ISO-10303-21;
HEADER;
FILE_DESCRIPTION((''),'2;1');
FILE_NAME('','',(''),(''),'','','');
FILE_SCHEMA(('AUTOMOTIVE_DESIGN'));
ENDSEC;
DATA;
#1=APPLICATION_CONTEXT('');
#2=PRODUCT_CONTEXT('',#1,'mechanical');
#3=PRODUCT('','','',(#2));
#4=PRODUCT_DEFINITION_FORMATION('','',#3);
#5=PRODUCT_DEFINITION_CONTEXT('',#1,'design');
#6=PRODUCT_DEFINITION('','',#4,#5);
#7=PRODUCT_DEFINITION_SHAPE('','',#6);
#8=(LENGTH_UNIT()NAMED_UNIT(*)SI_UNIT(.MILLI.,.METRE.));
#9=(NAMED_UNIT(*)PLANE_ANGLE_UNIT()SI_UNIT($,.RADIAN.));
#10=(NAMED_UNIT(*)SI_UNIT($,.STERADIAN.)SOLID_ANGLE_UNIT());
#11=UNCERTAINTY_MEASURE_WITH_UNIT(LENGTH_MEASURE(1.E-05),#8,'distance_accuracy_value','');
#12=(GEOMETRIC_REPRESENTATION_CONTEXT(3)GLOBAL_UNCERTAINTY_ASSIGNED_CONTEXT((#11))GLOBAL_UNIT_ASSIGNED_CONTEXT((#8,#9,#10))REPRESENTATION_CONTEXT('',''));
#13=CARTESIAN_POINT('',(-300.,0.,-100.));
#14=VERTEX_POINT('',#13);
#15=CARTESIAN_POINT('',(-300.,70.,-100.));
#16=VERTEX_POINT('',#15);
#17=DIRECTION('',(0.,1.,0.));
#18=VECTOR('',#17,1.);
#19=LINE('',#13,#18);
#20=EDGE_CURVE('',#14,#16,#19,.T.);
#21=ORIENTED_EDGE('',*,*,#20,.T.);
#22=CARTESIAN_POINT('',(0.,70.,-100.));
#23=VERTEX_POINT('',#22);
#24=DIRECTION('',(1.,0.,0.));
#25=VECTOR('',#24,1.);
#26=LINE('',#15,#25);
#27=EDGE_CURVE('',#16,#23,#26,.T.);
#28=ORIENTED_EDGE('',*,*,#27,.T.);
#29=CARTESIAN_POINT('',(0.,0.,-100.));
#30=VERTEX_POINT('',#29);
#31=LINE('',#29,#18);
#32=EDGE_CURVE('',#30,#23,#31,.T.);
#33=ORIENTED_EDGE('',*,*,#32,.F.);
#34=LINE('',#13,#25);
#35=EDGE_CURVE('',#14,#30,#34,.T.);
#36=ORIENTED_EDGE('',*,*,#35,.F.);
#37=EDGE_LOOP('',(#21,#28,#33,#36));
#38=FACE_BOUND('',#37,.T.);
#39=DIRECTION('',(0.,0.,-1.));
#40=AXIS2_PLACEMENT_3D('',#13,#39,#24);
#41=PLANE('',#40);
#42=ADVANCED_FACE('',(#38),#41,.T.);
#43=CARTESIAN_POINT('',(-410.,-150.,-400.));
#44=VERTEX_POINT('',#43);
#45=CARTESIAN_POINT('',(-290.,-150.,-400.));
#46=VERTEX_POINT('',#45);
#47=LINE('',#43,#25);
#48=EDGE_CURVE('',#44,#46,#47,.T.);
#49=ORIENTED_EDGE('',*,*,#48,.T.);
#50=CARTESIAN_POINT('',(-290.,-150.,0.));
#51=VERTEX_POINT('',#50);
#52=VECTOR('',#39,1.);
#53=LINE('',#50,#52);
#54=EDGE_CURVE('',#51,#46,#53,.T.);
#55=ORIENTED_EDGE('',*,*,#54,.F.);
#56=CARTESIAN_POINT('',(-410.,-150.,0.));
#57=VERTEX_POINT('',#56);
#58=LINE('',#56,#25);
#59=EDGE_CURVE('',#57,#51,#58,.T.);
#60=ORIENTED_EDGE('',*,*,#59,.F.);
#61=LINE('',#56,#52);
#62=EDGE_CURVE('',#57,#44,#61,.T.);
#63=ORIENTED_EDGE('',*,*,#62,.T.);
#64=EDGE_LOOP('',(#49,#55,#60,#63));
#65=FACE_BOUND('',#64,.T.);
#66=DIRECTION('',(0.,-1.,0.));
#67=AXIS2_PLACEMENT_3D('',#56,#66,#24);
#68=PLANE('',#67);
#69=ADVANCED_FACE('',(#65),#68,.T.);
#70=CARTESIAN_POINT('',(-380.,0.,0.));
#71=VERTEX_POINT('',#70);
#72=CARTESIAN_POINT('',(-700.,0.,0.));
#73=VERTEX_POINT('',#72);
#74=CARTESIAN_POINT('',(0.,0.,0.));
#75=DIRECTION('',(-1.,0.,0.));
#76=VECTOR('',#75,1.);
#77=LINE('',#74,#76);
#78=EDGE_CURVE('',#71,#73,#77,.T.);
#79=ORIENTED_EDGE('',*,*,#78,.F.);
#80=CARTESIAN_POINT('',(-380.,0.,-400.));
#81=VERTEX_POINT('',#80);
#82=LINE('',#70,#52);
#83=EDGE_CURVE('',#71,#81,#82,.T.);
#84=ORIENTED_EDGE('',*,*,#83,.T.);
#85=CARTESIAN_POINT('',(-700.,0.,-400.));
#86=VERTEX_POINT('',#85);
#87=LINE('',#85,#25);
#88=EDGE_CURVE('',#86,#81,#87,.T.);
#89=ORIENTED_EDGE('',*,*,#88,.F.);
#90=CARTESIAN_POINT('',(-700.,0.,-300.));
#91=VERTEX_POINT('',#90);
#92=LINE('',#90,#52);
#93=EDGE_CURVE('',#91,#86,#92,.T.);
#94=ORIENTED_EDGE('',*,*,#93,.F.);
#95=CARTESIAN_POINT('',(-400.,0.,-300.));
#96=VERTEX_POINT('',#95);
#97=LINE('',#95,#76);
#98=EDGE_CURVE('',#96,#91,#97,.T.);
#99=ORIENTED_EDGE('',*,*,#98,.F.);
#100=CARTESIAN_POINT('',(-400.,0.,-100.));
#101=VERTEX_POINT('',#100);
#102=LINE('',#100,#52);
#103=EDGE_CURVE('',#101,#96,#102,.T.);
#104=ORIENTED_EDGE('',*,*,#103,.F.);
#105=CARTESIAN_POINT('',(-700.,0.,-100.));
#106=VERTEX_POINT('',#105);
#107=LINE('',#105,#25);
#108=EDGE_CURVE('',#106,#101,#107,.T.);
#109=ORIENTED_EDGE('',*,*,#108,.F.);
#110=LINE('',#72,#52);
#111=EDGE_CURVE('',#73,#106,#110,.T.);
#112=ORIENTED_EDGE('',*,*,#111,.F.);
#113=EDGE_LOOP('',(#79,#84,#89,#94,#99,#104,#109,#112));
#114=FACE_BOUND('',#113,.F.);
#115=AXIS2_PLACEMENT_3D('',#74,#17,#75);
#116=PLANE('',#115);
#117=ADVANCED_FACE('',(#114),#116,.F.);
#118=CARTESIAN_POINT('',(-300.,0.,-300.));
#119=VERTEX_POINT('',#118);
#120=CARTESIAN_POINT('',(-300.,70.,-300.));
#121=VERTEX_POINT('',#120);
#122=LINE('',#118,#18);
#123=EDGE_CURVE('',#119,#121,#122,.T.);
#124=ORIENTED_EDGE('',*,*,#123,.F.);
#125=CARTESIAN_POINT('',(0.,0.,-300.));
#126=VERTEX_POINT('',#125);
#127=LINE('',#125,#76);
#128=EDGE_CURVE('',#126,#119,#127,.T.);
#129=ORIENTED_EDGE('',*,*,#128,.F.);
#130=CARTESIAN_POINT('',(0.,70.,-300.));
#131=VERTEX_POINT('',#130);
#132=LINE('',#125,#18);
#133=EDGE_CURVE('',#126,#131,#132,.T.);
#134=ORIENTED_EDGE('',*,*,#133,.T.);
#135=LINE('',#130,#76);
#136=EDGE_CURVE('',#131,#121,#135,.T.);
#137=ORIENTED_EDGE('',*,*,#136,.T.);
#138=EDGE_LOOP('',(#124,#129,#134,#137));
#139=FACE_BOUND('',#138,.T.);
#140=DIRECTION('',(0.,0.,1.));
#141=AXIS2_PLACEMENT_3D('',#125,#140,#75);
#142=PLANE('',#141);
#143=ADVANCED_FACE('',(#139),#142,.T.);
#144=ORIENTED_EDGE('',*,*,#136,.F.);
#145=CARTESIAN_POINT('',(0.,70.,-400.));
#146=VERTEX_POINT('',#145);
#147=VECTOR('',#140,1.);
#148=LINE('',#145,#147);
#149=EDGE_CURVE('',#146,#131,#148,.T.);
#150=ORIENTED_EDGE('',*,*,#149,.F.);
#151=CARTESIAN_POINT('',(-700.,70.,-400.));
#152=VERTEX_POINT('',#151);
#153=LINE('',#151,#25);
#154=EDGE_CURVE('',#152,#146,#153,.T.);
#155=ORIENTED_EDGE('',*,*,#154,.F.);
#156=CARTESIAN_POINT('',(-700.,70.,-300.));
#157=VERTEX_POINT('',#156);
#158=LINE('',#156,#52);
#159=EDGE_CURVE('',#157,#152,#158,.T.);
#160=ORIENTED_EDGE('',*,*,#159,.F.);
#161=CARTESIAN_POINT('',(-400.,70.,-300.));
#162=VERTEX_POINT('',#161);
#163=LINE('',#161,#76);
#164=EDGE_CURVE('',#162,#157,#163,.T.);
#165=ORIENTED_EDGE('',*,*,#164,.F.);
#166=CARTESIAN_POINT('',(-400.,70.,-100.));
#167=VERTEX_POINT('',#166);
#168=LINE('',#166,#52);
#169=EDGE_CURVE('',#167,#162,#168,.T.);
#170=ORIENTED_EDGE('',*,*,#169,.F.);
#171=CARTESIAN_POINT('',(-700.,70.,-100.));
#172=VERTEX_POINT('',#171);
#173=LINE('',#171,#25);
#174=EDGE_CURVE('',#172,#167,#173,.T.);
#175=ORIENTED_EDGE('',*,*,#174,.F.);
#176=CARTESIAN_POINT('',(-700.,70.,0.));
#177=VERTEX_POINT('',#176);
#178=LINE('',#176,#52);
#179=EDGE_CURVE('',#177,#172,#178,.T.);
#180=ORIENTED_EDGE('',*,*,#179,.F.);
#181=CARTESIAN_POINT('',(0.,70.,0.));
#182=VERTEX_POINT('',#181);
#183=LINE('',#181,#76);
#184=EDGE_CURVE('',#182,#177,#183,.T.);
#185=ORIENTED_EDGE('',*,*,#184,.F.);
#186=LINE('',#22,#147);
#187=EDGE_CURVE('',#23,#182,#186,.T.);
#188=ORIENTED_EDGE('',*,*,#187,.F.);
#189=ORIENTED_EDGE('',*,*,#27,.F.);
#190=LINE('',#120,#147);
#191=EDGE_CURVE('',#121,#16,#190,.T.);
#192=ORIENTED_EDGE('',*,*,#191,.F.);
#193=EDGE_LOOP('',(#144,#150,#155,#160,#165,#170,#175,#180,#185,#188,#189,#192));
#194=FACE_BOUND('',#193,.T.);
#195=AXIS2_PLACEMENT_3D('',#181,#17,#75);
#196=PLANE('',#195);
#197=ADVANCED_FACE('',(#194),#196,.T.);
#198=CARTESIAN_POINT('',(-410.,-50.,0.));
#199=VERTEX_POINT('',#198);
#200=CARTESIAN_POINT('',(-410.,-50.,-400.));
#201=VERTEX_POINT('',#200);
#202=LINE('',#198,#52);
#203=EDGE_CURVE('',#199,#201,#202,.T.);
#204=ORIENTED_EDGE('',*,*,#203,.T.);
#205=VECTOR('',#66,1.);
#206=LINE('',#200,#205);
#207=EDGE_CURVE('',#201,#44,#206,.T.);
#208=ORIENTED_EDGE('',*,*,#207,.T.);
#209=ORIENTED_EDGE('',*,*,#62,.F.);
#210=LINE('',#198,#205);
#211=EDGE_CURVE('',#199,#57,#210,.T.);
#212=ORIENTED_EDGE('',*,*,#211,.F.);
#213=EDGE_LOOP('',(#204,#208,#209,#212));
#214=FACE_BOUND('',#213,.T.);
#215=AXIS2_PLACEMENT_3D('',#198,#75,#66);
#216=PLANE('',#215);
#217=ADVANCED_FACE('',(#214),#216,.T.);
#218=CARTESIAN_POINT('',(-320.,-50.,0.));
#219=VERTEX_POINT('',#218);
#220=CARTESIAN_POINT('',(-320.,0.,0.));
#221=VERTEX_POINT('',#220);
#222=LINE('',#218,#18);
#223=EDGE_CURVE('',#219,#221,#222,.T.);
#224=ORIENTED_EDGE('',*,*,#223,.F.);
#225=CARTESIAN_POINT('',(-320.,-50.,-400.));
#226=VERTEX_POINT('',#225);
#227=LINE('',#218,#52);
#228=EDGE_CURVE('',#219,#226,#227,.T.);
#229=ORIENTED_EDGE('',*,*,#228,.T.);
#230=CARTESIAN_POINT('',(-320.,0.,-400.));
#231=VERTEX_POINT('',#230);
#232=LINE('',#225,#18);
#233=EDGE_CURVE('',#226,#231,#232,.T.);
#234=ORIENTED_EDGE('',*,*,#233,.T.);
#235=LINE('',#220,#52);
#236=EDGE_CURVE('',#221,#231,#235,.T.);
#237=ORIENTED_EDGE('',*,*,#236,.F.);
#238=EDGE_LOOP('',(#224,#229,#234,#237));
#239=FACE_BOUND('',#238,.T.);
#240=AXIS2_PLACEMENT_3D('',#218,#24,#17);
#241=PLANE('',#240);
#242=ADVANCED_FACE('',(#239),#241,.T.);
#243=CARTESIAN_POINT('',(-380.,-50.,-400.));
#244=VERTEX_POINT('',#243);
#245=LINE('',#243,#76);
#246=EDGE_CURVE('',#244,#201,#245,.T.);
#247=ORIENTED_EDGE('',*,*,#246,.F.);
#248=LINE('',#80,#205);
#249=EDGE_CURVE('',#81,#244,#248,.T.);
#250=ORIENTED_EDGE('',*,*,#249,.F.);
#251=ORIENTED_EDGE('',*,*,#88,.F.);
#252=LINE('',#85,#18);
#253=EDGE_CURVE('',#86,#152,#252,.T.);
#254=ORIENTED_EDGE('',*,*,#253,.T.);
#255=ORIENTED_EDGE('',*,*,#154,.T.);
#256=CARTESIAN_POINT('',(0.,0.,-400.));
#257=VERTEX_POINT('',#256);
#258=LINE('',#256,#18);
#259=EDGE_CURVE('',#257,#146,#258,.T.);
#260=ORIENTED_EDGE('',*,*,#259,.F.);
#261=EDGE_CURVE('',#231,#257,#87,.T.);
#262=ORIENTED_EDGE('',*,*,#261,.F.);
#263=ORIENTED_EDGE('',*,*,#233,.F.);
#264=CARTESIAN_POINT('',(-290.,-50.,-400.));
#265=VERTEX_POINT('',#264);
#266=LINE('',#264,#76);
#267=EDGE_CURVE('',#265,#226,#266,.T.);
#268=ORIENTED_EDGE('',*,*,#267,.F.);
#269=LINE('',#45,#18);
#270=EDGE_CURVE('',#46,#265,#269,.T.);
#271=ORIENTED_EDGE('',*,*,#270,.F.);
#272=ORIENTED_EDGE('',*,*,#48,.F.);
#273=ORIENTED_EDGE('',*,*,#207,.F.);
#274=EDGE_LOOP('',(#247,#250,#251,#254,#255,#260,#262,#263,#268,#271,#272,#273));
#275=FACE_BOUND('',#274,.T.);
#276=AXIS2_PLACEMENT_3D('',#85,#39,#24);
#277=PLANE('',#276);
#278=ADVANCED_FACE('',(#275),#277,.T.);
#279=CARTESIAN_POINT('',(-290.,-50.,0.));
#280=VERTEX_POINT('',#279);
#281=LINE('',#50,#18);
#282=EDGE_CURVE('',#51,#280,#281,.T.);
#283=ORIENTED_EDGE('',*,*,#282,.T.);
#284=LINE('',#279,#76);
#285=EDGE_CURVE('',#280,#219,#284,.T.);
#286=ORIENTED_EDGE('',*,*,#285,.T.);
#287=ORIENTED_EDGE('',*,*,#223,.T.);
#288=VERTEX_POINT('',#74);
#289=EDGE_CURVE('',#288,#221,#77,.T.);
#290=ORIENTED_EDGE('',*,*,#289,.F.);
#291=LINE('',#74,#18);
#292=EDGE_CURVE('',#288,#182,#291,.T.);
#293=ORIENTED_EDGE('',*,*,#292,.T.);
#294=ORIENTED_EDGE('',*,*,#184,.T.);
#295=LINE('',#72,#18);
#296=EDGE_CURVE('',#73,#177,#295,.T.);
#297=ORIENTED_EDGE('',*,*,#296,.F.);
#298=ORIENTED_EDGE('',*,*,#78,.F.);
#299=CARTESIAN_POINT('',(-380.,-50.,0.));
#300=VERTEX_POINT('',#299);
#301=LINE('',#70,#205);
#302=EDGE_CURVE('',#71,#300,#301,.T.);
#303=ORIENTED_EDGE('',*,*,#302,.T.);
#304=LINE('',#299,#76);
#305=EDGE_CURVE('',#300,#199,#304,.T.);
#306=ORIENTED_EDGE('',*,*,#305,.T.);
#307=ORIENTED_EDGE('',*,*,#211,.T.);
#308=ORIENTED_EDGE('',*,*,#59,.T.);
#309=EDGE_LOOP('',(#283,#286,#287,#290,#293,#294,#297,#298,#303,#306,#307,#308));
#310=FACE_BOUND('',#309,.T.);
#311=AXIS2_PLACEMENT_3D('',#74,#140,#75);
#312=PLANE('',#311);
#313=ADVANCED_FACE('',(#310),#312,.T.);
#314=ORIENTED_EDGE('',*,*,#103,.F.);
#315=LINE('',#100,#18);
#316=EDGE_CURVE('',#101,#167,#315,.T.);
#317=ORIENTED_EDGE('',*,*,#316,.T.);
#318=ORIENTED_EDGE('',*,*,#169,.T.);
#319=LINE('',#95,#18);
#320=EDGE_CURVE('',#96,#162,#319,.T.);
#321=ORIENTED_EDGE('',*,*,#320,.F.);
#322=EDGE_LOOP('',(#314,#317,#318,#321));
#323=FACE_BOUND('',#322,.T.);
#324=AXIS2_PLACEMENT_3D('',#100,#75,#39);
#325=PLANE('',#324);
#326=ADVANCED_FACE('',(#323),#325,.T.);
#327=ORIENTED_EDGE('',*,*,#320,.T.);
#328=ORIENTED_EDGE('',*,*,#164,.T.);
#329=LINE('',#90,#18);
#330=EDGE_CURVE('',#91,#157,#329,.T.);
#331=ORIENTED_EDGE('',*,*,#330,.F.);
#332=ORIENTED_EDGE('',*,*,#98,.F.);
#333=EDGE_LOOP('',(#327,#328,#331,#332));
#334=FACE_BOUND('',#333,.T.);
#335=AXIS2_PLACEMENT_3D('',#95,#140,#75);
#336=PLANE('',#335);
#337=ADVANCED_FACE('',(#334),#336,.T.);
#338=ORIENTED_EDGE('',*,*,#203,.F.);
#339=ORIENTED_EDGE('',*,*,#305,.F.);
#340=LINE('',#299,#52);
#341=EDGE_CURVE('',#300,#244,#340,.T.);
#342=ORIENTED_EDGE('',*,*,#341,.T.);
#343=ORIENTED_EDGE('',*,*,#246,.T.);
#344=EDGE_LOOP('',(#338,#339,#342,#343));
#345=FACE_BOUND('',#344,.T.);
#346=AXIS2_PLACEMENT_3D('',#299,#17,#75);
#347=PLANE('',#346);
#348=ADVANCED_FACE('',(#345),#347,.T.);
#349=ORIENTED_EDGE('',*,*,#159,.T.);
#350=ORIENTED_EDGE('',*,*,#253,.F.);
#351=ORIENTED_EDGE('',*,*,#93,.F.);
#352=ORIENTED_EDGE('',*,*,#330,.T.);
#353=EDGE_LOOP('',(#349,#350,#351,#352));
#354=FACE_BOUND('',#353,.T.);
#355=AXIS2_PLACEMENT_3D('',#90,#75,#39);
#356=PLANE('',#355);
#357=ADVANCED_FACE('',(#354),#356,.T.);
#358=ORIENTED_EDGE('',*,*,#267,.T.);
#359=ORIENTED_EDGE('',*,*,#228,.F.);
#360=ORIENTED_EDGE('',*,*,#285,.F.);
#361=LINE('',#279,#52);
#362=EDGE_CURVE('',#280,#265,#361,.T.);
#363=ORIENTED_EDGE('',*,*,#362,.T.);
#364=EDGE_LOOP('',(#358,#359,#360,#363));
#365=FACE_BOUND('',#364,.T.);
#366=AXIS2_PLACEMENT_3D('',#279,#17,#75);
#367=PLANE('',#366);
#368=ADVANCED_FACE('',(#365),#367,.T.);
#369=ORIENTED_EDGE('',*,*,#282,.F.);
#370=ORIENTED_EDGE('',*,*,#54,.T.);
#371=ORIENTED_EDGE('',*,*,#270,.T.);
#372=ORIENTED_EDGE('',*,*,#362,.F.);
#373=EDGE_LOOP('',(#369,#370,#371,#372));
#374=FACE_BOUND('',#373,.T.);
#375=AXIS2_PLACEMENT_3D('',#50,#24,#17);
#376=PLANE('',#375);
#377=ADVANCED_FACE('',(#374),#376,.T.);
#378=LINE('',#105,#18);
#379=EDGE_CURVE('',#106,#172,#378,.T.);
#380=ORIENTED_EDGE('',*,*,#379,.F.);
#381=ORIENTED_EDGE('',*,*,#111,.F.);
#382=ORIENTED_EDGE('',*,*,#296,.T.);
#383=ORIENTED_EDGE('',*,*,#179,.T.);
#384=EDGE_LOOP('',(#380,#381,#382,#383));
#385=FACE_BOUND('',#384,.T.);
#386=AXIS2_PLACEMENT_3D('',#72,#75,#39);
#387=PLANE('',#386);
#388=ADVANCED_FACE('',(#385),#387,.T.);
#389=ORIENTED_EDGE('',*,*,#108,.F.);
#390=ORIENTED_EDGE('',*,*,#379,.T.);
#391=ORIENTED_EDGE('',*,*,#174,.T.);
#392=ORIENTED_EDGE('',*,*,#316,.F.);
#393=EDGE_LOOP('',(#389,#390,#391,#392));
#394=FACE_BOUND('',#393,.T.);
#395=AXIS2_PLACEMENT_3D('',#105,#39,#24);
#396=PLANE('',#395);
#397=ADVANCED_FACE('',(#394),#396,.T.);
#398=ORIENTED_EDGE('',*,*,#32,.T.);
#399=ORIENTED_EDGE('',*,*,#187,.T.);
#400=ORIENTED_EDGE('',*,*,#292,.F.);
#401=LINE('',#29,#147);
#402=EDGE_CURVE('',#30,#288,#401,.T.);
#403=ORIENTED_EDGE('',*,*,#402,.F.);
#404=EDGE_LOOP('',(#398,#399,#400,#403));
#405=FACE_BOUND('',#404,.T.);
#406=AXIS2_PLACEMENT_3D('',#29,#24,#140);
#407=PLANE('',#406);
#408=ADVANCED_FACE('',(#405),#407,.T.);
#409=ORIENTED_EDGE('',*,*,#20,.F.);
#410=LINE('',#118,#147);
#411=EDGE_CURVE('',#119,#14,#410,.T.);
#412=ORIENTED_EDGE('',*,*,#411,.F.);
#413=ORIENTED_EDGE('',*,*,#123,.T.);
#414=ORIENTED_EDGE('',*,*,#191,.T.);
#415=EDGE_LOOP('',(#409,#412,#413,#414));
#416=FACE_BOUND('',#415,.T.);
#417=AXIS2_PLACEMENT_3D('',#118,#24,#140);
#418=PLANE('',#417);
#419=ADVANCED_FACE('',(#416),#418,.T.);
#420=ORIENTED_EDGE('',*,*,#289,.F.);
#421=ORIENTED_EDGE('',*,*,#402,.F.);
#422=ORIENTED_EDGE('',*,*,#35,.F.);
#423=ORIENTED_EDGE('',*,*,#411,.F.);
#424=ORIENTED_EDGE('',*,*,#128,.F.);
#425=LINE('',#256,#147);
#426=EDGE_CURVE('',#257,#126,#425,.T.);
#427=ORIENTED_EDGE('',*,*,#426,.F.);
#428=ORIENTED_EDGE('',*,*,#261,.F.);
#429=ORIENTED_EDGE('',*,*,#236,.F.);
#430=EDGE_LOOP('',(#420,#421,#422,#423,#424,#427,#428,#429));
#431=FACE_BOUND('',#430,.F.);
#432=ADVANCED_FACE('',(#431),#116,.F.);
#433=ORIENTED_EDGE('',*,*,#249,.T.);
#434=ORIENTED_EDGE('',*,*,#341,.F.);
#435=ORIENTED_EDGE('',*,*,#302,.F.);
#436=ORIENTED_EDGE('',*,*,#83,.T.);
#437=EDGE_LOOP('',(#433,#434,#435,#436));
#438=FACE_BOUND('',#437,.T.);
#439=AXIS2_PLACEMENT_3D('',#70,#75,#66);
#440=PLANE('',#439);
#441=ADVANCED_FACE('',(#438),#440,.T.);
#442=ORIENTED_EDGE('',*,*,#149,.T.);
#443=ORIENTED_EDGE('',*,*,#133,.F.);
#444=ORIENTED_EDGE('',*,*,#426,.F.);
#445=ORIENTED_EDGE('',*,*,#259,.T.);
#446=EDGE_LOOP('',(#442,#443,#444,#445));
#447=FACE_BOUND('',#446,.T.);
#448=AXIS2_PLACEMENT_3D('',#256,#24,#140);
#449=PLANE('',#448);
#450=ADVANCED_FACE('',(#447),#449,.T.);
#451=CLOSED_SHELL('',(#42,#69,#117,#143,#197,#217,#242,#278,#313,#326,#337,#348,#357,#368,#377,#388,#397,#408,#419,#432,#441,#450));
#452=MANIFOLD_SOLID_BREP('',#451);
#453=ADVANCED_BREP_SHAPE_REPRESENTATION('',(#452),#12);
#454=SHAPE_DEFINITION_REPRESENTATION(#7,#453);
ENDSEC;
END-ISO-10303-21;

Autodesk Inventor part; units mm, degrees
ref_plane "YZ Plane" through (0, 0, 0) normal (1, 0, 0) x (0, 1, 0)
ref_plane "XZ Plane" through (0, 0, 0) normal (0, 1, 0) x (-1, 0, 0)
ref_plane "XY Plane" through (0, 0, 0) normal (0, 0, 1) x (1, 0, 0)
sketch "Sketch1" plane through (0, 0, 0) normal (0, 1, 0) x (-1, 0, 0)
  line L0 (0, 0) -> (700, 0)
  line L1 (700, 0) -> (700, -100)
  line L2 (700, -100) -> (400, -100)
  line L3 (400, -100) -> (400, -300)
  line L4 (400, -300) -> (700, -300)
  line L5 (700, -300) -> (700, -400)
  line L6 (700, -400) -> (0, -400)
  line L7 (0, -400) -> (0, -300)
  line L8 (0, -300) -> (300, -300)
  line L9 (300, -300) -> (300, -100)
  line L10 (300, -100) -> (0, -100)
  line L11 (0, -100) -> (0, 0)
  dimension "d0" = 700
  dimension "d1" = 100
  dimension "d2" = 300
  dimension "d3" = 200
  dimension "d4" = 100
  dimension "d5" = 700
  dimension "d6" = 300
extrude "Extrusion1" add sketch "Sketch1" along normal blind 70
sketch "Sketch2" plane through (-700, 0, 0) normal (0, 0, 1) x (1, 0, 0)
  line L0 (700, 0) -> (0, 0) projected
  line L1 (350, 0) -> (380, 0)
  line L2 (380, 0) -> (320, 0)
  line L3 (320, 0) -> (320, -50)
  line L4 (320, -50) -> (290, -50)
  line L5 (290, -50) -> (290, -150)
  line L6 (290, -150) -> (410, -150)
  line L7 (410, -150) -> (410, -50)
  line L8 (410, -50) -> (380, -50)
  line L9 (380, -50) -> (380, 0)
  dimension "d9" = 30
  dimension "d10" = 60
  dimension "d11" = 50
  dimension "d12" = 30
  dimension "d13" = 100
  dimension "d14" = 120
  dimension "d15" = 30
extrude "Extrusion2" add sketch "Sketch2" against normal blind 400
properties part number "barrier_pneumatic_connector" material "Stainless Steel"
